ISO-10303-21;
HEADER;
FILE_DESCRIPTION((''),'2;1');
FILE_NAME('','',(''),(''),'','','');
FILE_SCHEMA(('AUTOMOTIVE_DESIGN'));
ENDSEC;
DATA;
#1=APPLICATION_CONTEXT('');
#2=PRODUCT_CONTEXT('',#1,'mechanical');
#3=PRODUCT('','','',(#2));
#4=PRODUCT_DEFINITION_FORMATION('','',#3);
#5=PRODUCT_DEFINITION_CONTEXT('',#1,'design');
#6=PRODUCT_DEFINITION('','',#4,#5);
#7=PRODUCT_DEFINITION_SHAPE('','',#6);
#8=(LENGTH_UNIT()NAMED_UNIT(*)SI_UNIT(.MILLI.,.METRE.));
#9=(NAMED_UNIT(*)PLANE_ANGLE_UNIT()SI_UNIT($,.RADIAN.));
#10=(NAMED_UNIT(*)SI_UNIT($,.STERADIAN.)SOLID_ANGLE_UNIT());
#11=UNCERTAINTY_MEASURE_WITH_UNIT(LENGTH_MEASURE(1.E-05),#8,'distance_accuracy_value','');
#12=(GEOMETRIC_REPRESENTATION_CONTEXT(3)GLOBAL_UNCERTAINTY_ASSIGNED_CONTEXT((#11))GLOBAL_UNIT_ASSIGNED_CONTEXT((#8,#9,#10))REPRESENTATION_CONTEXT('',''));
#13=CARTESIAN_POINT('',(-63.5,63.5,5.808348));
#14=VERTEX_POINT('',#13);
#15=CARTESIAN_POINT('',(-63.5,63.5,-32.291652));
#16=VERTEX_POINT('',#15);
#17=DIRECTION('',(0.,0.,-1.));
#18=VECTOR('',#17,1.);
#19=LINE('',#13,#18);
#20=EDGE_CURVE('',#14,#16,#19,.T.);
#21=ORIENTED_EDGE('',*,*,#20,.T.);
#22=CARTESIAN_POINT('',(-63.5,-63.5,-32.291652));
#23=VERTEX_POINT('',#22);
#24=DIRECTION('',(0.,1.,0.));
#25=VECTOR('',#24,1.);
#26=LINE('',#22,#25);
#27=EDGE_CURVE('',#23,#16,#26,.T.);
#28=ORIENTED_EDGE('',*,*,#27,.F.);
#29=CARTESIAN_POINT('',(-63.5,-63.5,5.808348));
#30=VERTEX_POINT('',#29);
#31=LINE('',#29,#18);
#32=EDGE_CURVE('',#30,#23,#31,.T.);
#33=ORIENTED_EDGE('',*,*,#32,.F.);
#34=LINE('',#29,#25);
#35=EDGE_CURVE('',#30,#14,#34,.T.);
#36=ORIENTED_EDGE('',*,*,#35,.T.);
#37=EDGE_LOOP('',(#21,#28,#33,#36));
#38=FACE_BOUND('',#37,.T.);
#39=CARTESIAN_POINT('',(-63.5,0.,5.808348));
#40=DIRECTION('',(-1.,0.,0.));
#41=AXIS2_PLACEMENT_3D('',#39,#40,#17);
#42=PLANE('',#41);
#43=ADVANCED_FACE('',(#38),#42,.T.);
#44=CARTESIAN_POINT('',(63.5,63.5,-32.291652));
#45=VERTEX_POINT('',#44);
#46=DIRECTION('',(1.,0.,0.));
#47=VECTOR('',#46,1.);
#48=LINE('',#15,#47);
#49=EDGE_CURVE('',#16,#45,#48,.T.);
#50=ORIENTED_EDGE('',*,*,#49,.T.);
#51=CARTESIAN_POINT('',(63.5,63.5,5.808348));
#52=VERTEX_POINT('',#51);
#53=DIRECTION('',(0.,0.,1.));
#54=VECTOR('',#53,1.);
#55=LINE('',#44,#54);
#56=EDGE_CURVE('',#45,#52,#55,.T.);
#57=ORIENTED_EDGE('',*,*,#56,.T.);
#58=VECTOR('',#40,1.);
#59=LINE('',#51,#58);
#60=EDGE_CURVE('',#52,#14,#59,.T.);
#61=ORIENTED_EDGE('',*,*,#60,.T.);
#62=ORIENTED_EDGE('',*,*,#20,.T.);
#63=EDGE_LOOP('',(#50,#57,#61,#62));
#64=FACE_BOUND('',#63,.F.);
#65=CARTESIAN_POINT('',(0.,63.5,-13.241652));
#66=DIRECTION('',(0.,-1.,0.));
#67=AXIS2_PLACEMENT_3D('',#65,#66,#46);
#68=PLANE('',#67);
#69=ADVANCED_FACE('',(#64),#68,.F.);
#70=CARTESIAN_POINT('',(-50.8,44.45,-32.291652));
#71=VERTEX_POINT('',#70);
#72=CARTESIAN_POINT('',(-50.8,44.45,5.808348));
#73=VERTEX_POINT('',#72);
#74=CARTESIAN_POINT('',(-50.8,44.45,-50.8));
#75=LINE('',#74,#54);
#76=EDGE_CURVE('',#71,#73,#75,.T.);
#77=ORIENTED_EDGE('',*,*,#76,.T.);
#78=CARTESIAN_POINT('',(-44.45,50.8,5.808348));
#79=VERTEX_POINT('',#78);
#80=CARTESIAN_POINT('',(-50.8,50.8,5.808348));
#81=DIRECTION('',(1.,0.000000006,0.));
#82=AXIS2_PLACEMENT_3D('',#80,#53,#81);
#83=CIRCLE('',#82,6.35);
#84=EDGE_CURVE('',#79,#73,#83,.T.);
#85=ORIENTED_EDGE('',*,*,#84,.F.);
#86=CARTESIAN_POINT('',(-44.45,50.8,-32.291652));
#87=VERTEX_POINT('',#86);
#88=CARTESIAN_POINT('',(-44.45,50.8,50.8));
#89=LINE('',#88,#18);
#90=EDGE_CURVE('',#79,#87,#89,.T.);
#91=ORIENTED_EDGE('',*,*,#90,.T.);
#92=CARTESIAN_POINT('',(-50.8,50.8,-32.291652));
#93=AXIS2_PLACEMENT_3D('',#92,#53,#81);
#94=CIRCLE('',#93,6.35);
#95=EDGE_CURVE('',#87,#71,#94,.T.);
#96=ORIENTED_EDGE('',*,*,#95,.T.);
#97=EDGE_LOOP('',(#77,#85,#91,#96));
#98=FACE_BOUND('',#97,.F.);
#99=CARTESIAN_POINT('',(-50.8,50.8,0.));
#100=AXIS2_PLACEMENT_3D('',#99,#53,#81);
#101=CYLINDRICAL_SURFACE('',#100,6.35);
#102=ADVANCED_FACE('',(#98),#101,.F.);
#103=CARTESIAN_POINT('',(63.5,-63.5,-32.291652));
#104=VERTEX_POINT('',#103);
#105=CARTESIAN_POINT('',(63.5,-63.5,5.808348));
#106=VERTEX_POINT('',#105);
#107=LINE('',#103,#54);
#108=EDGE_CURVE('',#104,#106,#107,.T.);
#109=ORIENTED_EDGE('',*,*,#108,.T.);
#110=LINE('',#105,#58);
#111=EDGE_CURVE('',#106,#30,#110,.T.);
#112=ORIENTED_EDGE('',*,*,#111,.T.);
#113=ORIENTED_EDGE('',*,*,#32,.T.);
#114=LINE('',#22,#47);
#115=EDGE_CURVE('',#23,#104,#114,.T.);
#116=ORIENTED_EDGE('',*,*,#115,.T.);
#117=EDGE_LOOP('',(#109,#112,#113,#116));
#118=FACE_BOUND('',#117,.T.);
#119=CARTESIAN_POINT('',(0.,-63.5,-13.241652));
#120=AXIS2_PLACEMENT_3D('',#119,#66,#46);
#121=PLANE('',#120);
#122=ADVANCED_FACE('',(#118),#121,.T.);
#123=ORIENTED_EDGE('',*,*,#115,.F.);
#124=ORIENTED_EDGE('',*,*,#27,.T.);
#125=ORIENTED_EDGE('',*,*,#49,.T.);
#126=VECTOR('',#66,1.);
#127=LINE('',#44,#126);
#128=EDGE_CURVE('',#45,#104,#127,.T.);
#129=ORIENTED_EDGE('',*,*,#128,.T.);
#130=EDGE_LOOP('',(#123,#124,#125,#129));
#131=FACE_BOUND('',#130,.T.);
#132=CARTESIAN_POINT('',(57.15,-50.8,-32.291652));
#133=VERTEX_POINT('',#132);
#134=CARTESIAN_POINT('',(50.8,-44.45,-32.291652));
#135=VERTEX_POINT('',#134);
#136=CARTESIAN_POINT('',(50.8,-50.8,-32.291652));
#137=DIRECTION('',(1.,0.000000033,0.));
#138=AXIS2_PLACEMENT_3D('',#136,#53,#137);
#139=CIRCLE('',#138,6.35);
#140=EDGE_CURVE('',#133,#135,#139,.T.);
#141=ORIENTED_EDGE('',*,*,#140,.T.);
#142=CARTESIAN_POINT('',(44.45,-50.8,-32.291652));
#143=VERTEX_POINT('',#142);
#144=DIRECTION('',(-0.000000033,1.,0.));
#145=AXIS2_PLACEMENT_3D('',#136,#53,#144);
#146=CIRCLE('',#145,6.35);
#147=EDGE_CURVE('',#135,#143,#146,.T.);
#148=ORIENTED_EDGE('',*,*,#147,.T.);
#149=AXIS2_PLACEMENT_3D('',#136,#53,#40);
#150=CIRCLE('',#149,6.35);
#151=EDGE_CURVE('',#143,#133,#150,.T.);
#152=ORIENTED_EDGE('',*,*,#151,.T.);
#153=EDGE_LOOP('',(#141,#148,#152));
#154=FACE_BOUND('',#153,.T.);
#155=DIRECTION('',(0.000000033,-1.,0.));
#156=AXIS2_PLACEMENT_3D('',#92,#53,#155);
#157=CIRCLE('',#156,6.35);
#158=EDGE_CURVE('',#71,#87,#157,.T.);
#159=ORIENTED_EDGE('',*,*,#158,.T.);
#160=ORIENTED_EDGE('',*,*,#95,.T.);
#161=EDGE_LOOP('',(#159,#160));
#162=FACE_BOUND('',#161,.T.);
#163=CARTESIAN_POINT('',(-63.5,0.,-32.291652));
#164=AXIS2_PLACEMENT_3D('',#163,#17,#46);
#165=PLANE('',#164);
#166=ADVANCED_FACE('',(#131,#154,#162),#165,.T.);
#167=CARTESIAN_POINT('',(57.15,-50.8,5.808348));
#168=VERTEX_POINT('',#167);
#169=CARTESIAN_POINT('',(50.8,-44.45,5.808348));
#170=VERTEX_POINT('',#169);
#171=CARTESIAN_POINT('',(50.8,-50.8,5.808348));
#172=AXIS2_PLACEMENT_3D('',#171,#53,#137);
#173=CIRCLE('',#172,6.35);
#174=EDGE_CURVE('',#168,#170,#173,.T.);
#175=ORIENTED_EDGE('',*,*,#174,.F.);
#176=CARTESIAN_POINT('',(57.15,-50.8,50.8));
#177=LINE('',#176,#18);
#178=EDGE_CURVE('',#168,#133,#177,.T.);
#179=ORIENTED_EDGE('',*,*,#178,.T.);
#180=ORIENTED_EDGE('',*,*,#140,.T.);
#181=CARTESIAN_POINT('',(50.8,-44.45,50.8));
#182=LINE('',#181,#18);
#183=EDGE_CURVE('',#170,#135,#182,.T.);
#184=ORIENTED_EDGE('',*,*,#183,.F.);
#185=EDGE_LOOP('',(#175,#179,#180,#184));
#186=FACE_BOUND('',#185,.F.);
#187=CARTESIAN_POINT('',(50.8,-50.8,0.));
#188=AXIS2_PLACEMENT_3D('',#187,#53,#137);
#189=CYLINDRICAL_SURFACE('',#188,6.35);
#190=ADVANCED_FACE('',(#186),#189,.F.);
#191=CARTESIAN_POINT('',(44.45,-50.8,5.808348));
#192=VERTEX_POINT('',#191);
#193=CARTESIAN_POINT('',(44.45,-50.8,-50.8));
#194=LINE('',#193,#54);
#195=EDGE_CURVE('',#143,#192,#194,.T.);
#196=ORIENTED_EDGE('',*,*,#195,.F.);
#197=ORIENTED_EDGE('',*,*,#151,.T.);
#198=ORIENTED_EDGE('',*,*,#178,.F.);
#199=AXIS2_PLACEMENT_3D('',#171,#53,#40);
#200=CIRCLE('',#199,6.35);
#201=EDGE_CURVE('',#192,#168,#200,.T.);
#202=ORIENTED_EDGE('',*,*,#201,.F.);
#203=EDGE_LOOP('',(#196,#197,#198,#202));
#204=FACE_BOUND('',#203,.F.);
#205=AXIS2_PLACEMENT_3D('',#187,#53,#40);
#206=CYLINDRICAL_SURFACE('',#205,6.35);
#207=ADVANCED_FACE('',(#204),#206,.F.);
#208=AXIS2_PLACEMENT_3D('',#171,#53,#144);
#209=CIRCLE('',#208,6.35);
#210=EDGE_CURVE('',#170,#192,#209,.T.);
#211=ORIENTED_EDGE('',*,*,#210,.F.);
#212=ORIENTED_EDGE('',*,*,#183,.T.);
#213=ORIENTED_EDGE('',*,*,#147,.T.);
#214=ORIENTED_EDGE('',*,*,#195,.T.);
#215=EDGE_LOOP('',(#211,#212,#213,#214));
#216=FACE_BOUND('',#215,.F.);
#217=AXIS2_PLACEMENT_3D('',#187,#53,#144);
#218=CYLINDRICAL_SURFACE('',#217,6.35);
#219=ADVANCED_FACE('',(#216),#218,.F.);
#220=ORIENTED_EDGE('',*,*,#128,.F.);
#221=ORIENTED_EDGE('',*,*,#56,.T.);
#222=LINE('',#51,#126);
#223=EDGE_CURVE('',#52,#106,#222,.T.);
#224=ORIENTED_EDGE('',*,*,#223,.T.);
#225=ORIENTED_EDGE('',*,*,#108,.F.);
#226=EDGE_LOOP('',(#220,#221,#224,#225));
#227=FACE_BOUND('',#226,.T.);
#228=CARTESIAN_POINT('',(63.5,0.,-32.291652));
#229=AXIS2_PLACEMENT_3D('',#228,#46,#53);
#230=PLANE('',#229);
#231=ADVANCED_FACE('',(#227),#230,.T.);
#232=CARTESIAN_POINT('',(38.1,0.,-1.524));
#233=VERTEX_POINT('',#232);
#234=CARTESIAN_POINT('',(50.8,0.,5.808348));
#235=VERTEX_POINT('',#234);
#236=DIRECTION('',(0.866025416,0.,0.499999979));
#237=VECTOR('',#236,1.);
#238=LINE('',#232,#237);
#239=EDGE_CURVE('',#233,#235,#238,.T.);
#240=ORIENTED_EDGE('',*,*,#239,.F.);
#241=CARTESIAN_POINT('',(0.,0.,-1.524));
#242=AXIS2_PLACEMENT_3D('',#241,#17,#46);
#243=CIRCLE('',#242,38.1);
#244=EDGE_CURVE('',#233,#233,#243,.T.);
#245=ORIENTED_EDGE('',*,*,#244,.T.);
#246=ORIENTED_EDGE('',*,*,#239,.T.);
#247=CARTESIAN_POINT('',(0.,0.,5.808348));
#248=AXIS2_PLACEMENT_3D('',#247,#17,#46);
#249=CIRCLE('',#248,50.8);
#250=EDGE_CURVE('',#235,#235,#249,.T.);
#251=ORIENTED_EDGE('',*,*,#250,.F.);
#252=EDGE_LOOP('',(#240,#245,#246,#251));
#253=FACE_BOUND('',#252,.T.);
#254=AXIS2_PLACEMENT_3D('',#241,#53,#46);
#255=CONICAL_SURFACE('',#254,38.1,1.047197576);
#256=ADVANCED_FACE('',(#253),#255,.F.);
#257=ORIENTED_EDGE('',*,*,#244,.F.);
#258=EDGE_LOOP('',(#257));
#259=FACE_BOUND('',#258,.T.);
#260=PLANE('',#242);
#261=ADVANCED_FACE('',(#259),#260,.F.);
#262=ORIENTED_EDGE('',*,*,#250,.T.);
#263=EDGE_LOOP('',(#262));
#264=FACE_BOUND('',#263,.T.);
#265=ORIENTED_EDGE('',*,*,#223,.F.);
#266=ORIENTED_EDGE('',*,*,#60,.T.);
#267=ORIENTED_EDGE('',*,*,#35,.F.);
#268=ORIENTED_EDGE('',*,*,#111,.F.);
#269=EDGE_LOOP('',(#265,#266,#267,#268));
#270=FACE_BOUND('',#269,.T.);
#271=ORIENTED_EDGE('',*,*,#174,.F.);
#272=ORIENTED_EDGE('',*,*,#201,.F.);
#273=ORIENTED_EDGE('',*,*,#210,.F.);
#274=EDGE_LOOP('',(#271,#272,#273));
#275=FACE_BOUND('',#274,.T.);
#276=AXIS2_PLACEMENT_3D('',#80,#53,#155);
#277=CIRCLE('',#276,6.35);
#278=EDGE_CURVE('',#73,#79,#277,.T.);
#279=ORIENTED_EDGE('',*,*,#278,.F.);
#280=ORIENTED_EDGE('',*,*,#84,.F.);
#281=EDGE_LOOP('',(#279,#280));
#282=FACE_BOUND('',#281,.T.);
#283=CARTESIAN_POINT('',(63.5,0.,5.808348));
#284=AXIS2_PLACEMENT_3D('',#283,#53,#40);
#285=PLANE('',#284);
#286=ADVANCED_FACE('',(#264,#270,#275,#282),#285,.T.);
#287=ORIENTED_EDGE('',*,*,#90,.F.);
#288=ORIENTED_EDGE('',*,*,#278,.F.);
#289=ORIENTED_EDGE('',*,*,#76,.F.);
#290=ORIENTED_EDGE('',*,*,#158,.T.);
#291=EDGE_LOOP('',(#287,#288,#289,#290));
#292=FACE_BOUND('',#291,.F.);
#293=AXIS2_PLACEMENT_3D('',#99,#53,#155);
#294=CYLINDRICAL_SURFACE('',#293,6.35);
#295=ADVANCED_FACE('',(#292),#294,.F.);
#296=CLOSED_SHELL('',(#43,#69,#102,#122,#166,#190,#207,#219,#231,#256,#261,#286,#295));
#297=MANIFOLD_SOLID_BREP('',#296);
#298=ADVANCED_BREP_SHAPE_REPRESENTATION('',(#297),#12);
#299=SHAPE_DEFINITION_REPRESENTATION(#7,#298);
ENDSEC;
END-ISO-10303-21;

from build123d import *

# Parameters (mm, degrees)
F2_DEPTH = 63.5
F5_DEPTH = 50.8
F7_DEPTH = 50.8


with BuildPart() as f2:
    # F1 (on Front) → F2 (new body, symmetric)
    with BuildSketch(Plane.XZ):
        Polygon((-63.5, -32.291652), (63.5, -32.291652), (63.5, 5.808348), (0, 5.808348), (-63.5, 5.808348), align=None)
    extrude(amount=F2_DEPTH, both=True)

    # F0 (on Front) → F3 (revolve, cut)
    with BuildSketch(Plane.XZ):
        Polygon((38.1, -1.524), (50.8, 5.808348), (0, 5.808348), (0, -1.524), align=None)
    revolve(axis=Axis((0, 0, 2.142174), (0, 0, -1)), mode=Mode.SUBTRACT)

    # F4 (on Top) → F5 (cut, symmetric)
    with BuildSketch(Plane.XY):
        with BuildLine():
            ThreePointArc((-44.45, 50.8), (-55.290128, 55.290128), (-50.8, 44.45))
            Line((-50.8, 44.45), (-50.8, 50.8))
            Line((-50.8, 50.8), (-44.45, 50.8))
        make_face()
        with BuildLine():
            Line((-50.8, 50.8), (-50.8, 44.45))
            ThreePointArc((-50.8, 44.45), (-46.309872, 46.309872), (-44.45, 50.8))
            Line((-44.45, 50.8), (-50.8, 50.8))
        make_face()
    extrude(amount=F5_DEPTH, both=True, mode=Mode.SUBTRACT)

    # F6 (on Top) → F7 (cut, symmetric)
    with BuildSketch(Plane.XY):
        with BuildLine():
            ThreePointArc((50.8, -44.45), (46.309872, -46.309872), (44.45, -50.8))
            Line((44.45, -50.8), (50.8, -50.8))
            Line((50.8, -50.8), (50.8, -44.45))
        make_face()
        with BuildLine():
            Line((50.8, -50.8), (44.45, -50.8))
            ThreePointArc((44.45, -50.8), (50.8, -57.15), (57.15, -50.8))
            ThreePointArc((57.15, -50.8), (55.290128, -46.309872), (50.8, -44.45))
            Line((50.8, -44.45), (50.8, -50.8))
        make_face()
    extrude(amount=F7_DEPTH, both=True, mode=Mode.SUBTRACT)


solid = f2.part
